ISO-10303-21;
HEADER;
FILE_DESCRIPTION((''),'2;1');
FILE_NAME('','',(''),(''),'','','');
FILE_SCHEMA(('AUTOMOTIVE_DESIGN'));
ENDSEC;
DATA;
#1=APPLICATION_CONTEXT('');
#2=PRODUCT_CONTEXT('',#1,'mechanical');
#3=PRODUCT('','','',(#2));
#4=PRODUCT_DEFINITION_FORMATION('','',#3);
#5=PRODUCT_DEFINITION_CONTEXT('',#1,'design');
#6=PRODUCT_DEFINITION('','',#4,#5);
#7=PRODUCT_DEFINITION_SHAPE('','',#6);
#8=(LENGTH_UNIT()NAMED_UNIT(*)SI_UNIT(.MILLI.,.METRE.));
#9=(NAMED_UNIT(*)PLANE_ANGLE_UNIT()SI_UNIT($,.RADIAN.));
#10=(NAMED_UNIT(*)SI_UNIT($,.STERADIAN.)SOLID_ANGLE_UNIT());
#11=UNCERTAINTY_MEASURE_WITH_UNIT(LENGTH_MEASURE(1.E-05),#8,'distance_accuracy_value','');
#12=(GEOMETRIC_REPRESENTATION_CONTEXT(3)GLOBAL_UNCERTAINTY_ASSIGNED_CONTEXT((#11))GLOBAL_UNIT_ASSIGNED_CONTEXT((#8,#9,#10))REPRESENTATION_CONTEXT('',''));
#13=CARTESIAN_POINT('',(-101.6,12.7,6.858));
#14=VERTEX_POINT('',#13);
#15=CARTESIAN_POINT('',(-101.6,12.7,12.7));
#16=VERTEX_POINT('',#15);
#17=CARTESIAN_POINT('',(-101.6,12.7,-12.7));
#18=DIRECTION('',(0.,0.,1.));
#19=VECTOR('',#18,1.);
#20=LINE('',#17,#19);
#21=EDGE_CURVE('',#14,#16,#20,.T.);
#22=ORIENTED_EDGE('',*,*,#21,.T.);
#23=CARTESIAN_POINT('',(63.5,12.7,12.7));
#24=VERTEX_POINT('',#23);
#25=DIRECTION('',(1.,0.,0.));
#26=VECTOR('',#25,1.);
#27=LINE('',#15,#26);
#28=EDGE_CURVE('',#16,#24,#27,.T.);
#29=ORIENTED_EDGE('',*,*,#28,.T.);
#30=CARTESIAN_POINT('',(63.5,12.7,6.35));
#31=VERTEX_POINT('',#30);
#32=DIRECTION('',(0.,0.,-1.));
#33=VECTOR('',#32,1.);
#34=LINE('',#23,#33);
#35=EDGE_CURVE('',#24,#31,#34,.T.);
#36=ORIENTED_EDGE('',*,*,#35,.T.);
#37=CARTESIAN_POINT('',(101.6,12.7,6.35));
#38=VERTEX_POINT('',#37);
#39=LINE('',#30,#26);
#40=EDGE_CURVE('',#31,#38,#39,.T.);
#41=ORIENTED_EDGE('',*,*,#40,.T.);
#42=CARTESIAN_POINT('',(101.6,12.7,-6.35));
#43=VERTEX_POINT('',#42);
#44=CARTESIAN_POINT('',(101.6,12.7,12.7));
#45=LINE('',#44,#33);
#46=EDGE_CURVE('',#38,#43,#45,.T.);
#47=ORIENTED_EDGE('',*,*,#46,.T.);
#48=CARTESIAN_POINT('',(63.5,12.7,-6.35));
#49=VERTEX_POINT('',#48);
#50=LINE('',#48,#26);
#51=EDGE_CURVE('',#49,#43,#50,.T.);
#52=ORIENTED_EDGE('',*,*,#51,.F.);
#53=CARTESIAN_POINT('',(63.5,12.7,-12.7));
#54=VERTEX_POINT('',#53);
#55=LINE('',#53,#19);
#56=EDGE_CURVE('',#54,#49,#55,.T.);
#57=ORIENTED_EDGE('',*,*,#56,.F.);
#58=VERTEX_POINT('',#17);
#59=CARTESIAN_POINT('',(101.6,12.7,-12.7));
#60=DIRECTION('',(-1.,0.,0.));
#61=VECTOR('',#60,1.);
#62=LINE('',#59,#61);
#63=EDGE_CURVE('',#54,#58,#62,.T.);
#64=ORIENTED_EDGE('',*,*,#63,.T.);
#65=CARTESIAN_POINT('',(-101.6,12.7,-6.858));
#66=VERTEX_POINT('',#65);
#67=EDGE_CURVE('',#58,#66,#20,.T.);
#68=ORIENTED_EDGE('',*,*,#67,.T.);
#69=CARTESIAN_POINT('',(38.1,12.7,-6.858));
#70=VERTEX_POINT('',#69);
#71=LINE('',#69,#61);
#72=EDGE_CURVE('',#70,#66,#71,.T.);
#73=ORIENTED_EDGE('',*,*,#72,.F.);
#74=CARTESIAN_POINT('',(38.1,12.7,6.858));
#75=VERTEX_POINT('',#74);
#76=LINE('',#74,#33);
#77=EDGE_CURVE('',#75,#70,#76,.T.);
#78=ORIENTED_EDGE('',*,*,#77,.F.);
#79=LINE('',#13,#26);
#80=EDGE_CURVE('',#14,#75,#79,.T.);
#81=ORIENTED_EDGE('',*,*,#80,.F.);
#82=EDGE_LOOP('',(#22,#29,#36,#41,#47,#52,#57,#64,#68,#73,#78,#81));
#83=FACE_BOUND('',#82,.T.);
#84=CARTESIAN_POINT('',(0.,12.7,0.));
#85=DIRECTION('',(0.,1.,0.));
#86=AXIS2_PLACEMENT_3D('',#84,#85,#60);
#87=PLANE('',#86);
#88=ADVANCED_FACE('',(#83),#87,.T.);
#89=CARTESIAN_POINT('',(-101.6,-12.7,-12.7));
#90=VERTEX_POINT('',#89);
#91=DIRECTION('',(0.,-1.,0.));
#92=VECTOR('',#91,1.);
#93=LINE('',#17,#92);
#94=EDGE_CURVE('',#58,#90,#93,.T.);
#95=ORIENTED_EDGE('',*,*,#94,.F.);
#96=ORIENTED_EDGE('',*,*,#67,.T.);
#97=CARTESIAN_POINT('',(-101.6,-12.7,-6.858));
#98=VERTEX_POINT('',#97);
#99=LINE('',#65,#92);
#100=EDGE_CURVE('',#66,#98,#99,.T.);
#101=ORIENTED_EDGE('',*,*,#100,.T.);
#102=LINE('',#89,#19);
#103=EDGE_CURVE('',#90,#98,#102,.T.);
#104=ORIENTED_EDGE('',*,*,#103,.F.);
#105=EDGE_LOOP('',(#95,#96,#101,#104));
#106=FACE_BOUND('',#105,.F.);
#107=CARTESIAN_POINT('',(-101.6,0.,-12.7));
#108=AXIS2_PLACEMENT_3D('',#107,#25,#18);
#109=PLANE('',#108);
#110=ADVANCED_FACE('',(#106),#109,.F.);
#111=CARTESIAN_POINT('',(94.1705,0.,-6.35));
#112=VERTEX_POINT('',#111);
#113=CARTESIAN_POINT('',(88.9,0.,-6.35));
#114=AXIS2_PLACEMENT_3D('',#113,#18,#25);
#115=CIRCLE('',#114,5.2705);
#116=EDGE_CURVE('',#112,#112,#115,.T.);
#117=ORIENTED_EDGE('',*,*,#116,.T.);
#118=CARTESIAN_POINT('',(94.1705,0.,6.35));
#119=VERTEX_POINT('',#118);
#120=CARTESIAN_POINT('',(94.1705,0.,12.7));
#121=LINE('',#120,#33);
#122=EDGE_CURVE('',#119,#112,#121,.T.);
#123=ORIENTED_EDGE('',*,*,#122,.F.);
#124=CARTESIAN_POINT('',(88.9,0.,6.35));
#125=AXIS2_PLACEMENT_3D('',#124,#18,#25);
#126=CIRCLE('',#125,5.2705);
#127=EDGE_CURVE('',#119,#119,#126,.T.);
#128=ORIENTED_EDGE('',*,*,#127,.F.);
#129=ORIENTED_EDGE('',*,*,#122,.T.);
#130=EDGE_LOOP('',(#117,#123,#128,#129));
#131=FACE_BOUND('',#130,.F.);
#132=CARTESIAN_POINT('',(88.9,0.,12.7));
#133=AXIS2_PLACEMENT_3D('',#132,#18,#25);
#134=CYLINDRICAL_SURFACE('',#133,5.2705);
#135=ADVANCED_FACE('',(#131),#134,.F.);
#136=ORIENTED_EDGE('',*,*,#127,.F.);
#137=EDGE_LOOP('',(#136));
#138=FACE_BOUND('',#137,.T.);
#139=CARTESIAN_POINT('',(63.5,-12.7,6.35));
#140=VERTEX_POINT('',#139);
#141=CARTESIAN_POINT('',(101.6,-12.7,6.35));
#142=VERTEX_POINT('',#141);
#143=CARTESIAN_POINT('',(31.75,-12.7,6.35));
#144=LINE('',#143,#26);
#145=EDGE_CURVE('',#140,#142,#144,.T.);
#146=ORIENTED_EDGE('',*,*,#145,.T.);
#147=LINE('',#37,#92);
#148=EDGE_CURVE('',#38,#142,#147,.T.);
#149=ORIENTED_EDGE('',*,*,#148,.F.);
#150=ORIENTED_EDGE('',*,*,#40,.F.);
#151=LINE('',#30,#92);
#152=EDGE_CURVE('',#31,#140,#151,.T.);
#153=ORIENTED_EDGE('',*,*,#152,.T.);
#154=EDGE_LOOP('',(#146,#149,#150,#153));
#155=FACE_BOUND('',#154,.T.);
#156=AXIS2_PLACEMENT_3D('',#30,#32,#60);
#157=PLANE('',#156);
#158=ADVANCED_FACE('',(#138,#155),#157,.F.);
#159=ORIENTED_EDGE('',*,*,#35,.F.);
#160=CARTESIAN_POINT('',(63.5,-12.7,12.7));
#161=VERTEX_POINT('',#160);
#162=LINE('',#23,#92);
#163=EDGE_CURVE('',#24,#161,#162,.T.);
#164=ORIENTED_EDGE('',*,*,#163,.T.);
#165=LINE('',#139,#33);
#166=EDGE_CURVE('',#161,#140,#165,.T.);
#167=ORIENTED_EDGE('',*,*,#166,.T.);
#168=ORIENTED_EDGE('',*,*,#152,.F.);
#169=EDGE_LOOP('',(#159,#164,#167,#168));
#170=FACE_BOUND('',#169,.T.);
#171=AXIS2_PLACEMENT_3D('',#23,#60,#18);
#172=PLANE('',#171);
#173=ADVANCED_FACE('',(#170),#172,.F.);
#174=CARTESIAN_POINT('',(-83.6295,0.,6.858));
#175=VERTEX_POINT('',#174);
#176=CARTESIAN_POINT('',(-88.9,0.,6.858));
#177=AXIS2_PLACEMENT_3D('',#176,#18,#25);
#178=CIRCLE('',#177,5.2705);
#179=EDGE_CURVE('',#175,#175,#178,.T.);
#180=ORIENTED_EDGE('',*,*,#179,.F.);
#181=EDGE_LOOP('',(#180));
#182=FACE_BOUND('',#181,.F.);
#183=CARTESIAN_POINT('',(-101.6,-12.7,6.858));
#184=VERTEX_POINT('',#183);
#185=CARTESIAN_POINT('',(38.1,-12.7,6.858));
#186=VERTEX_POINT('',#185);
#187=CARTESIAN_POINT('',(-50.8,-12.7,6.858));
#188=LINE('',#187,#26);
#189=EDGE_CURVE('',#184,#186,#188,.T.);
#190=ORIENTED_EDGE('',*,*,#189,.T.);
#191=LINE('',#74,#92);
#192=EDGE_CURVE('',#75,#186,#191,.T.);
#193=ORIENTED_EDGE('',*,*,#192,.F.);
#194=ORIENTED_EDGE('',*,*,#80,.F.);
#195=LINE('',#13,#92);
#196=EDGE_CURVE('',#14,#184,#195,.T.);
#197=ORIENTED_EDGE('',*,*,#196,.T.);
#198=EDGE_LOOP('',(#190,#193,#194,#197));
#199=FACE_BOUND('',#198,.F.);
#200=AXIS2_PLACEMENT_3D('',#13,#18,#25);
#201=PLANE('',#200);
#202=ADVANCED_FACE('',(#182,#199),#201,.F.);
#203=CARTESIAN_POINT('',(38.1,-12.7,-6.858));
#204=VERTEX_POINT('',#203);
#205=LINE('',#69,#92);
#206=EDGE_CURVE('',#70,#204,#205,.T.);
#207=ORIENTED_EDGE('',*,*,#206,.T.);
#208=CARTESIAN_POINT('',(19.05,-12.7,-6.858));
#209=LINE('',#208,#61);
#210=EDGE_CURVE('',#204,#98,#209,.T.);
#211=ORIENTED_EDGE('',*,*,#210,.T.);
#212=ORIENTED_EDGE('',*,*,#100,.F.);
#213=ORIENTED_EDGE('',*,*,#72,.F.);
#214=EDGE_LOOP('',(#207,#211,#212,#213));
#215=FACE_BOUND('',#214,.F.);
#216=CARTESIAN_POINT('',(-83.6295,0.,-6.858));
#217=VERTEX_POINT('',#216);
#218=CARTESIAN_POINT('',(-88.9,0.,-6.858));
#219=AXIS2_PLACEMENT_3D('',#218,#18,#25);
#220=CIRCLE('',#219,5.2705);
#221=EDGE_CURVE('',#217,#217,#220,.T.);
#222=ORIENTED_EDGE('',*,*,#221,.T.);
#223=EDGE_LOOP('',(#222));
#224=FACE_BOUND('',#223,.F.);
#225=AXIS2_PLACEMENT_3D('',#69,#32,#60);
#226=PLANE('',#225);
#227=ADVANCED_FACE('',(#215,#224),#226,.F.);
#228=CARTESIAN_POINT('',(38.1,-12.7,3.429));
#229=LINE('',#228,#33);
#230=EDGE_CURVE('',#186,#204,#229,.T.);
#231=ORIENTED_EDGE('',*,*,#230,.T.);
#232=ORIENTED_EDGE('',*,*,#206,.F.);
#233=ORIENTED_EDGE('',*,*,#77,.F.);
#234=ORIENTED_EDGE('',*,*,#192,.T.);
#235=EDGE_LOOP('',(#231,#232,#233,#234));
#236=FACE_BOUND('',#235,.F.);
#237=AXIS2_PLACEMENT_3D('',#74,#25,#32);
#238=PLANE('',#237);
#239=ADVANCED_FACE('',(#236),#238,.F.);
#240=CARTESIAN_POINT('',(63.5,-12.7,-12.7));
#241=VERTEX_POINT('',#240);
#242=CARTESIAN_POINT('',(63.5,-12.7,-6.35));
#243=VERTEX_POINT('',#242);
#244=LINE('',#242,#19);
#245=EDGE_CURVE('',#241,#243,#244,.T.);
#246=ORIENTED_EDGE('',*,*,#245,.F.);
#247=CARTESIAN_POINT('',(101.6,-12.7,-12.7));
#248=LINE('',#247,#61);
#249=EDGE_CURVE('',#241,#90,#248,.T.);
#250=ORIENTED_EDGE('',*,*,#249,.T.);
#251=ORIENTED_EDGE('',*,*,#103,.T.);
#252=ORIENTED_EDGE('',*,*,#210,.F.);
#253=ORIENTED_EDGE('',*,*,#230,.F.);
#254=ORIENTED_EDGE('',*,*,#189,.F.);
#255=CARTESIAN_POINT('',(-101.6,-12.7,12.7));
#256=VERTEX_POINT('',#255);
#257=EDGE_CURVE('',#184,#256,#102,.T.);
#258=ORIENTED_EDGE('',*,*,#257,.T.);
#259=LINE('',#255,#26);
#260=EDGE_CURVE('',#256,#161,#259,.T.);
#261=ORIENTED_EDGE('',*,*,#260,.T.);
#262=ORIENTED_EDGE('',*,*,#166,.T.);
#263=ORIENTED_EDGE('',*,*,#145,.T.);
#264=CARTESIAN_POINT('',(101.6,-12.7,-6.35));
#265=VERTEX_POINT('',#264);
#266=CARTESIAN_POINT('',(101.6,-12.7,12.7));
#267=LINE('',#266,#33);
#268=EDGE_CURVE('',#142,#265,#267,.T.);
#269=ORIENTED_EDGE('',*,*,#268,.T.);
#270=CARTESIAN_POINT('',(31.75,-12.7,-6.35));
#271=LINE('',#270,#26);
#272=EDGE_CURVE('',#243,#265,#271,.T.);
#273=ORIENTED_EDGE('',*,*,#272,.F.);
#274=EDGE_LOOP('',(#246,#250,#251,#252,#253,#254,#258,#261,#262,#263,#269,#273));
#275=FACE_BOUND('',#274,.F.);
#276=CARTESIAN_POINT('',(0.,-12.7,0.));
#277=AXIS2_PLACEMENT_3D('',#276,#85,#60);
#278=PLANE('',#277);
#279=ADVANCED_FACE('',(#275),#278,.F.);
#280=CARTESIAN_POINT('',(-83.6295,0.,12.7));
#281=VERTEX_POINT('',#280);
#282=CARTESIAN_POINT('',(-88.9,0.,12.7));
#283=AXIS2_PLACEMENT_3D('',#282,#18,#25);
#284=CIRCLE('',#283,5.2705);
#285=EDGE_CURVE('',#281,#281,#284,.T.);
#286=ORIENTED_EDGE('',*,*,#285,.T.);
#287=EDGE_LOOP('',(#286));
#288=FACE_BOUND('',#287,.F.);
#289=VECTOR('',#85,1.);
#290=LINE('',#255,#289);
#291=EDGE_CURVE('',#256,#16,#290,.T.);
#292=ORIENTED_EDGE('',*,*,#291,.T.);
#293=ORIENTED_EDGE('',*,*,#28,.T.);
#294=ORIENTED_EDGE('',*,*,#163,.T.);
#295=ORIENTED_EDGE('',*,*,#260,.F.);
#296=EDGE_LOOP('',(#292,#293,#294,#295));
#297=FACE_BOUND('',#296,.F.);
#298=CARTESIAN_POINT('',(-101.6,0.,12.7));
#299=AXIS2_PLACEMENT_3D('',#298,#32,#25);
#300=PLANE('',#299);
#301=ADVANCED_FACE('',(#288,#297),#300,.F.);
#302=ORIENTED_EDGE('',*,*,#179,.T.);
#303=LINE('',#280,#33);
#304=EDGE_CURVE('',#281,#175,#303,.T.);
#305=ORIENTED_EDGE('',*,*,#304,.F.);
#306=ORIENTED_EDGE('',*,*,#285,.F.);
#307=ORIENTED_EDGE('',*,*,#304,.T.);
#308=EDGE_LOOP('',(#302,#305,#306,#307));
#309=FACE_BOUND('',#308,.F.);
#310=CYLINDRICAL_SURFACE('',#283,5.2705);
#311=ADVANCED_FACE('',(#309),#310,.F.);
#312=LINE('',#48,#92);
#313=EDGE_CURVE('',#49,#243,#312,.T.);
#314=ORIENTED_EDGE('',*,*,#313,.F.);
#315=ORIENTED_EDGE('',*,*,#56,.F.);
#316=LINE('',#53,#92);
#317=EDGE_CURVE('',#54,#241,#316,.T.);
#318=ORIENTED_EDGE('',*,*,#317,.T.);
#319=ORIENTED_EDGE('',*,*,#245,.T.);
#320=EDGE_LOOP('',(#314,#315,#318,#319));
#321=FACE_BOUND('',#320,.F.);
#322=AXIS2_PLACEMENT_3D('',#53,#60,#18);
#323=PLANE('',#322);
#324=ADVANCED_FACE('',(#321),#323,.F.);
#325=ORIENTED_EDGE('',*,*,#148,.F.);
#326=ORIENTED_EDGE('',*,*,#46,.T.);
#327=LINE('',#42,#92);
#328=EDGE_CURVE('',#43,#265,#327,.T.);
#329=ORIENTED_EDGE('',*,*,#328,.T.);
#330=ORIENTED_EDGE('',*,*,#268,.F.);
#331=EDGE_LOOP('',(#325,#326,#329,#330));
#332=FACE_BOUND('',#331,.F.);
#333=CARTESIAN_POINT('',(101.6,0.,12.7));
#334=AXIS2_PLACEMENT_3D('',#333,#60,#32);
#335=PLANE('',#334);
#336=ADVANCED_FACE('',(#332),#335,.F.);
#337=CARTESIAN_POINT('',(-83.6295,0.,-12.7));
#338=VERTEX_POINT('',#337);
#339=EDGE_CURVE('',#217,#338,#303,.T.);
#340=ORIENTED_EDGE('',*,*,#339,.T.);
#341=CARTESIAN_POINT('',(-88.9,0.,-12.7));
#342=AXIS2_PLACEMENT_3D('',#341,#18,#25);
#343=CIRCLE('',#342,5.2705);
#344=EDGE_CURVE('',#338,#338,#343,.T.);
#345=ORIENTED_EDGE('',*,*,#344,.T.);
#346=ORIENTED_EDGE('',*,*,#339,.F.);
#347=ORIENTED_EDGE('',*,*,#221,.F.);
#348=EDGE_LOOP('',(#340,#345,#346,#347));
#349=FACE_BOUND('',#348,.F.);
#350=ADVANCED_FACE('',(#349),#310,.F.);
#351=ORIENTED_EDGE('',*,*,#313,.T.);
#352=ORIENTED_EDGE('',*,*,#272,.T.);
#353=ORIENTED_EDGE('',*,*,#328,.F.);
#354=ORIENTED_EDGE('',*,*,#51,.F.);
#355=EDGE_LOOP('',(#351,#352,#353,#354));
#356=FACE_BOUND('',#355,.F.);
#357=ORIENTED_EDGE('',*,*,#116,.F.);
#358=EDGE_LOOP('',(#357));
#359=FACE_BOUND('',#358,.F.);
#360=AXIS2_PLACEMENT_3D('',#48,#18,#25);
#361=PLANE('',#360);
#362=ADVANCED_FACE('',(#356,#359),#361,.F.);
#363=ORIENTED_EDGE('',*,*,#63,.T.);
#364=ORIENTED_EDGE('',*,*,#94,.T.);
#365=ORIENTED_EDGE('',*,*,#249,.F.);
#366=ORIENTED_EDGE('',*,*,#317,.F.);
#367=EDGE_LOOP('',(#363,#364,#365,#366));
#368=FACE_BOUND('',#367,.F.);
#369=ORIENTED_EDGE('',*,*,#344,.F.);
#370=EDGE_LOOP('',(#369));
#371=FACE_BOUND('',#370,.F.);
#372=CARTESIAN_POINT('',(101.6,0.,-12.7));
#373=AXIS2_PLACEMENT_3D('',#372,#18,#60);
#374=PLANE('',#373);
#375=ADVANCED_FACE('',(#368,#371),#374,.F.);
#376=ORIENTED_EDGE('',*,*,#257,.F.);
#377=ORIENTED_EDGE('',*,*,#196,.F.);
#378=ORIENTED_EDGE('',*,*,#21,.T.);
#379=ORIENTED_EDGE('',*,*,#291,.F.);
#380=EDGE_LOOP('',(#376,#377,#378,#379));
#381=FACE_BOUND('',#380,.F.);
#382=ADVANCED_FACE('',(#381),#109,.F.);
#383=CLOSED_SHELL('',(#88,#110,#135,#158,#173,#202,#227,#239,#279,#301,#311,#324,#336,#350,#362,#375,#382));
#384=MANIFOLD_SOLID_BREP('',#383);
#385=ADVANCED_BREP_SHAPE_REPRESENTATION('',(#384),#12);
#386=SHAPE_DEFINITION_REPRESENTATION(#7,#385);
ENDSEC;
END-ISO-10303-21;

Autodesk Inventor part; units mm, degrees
ref_plane "YZ Plane" through (0, 0, 0) normal (1, 0, 0) x (0, 1, 0)
ref_plane "XZ Plane" through (0, 0, 0) normal (0, 1, 0) x (-1, 0, 0)
sketch "Sketch1" plane through (0, 0, 0) normal (0, 1, 0) x (-1, 0, 0)
  line L0 (101.6, 12.7) -> (-101.6, 12.7)
  line L1 (-101.6, 12.7) -> (-101.6, -12.7)
  line L2 (-101.6, -12.7) -> (101.6, -12.7)
  line L3 (101.6, -12.7) -> (101.6, 12.7)
  line L4 (101.6, 12.7) -> (-101.6, -12.7) construction
  line L5 (-101.6, 12.7) -> (101.6, -12.7) construction
  point P0 (0, 0)
  dimension "d0" = 203.2
  dimension "d1" = 25.4
extrude "Extrusion1" add sketch "Sketch1" along normal mid plane 25.4
sketch "Sketch3" plane through (0, 12.7, 0) normal (0, 1, 0) x (1, 0, 0)
  line L0 (-101.6, -6.858) -> (38.1, -6.858)
  line L1 (38.1, -6.858) -> (38.1, 6.858)
  line L2 (38.1, 6.858) -> (-101.6, 6.858)
  line L3 (-101.6, 6.858) -> (-101.6, -6.858)
  line L4 (-101.6, -6.858) -> (38.1, 6.858) construction
  line L5 (38.1, -6.858) -> (-101.6, 6.858) construction
  line L6 (-101.6, 12.7) -> (-101.6, -12.7) projected
  point P0 (0, 0)
  point P1 (-31.75, 0)
  dimension "d7" = 0
  dimension "d8" = 13.716
  dimension "d9" = 139.7
extrude "Extrusion2" cut sketch "Sketch3" against normal through all
sketch "Sketch4" plane through (0, 12.7, 0) normal (0, 1, 0) x (1, 0, 0)
  line L0 (101.6, 12.7) -> (-101.6, 12.7) projected
  line L1 (101.6, 12.7) -> (63.5, 12.7)
  line L2 (63.5, 12.7) -> (63.5, 6.35)
  line L3 (63.5, 6.35) -> (101.6, 6.35)
  line L4 (101.6, 6.35) -> (101.6, 12.7)
  line L5 (101.6, 0) -> (38.1, 0) construction
  line L6 (38.1, 6.858) -> (38.1, -6.858) construction
  point P0 (0, 0)
  dimension "d12" = 38.1
  dimension "d13" = 6.35
extrude "Extrusion3" cut sketch "Sketch4" against normal through all
mirror "Mirror1" about plane through (0, 0, 0) normal (0, 0, 1) of "Extrusion3"
sketch "Sketch5" plane through (-101.6, -12.7, 12.7) normal (0, 0, 1) x (1, 0, 0)
  circle A0 centre (12.7, 12.7) radius 5.2705
  circle A1 centre (190.5, 12.7) radius 5.2705
  line L0 (0, 0) -> (0, 25.4) projected
  line L1 (203.2, 25.4) -> (203.2, 0) projected
  point P0 (101.6, 12.7)
  dimension "d16" = 10.541
  dimension "d17" = 12.7
  dimension "d18" = 12.7
extrude "Extrusion4" cut sketch "Sketch5" against normal through all
properties part number "connectingRodV02-4-in"
